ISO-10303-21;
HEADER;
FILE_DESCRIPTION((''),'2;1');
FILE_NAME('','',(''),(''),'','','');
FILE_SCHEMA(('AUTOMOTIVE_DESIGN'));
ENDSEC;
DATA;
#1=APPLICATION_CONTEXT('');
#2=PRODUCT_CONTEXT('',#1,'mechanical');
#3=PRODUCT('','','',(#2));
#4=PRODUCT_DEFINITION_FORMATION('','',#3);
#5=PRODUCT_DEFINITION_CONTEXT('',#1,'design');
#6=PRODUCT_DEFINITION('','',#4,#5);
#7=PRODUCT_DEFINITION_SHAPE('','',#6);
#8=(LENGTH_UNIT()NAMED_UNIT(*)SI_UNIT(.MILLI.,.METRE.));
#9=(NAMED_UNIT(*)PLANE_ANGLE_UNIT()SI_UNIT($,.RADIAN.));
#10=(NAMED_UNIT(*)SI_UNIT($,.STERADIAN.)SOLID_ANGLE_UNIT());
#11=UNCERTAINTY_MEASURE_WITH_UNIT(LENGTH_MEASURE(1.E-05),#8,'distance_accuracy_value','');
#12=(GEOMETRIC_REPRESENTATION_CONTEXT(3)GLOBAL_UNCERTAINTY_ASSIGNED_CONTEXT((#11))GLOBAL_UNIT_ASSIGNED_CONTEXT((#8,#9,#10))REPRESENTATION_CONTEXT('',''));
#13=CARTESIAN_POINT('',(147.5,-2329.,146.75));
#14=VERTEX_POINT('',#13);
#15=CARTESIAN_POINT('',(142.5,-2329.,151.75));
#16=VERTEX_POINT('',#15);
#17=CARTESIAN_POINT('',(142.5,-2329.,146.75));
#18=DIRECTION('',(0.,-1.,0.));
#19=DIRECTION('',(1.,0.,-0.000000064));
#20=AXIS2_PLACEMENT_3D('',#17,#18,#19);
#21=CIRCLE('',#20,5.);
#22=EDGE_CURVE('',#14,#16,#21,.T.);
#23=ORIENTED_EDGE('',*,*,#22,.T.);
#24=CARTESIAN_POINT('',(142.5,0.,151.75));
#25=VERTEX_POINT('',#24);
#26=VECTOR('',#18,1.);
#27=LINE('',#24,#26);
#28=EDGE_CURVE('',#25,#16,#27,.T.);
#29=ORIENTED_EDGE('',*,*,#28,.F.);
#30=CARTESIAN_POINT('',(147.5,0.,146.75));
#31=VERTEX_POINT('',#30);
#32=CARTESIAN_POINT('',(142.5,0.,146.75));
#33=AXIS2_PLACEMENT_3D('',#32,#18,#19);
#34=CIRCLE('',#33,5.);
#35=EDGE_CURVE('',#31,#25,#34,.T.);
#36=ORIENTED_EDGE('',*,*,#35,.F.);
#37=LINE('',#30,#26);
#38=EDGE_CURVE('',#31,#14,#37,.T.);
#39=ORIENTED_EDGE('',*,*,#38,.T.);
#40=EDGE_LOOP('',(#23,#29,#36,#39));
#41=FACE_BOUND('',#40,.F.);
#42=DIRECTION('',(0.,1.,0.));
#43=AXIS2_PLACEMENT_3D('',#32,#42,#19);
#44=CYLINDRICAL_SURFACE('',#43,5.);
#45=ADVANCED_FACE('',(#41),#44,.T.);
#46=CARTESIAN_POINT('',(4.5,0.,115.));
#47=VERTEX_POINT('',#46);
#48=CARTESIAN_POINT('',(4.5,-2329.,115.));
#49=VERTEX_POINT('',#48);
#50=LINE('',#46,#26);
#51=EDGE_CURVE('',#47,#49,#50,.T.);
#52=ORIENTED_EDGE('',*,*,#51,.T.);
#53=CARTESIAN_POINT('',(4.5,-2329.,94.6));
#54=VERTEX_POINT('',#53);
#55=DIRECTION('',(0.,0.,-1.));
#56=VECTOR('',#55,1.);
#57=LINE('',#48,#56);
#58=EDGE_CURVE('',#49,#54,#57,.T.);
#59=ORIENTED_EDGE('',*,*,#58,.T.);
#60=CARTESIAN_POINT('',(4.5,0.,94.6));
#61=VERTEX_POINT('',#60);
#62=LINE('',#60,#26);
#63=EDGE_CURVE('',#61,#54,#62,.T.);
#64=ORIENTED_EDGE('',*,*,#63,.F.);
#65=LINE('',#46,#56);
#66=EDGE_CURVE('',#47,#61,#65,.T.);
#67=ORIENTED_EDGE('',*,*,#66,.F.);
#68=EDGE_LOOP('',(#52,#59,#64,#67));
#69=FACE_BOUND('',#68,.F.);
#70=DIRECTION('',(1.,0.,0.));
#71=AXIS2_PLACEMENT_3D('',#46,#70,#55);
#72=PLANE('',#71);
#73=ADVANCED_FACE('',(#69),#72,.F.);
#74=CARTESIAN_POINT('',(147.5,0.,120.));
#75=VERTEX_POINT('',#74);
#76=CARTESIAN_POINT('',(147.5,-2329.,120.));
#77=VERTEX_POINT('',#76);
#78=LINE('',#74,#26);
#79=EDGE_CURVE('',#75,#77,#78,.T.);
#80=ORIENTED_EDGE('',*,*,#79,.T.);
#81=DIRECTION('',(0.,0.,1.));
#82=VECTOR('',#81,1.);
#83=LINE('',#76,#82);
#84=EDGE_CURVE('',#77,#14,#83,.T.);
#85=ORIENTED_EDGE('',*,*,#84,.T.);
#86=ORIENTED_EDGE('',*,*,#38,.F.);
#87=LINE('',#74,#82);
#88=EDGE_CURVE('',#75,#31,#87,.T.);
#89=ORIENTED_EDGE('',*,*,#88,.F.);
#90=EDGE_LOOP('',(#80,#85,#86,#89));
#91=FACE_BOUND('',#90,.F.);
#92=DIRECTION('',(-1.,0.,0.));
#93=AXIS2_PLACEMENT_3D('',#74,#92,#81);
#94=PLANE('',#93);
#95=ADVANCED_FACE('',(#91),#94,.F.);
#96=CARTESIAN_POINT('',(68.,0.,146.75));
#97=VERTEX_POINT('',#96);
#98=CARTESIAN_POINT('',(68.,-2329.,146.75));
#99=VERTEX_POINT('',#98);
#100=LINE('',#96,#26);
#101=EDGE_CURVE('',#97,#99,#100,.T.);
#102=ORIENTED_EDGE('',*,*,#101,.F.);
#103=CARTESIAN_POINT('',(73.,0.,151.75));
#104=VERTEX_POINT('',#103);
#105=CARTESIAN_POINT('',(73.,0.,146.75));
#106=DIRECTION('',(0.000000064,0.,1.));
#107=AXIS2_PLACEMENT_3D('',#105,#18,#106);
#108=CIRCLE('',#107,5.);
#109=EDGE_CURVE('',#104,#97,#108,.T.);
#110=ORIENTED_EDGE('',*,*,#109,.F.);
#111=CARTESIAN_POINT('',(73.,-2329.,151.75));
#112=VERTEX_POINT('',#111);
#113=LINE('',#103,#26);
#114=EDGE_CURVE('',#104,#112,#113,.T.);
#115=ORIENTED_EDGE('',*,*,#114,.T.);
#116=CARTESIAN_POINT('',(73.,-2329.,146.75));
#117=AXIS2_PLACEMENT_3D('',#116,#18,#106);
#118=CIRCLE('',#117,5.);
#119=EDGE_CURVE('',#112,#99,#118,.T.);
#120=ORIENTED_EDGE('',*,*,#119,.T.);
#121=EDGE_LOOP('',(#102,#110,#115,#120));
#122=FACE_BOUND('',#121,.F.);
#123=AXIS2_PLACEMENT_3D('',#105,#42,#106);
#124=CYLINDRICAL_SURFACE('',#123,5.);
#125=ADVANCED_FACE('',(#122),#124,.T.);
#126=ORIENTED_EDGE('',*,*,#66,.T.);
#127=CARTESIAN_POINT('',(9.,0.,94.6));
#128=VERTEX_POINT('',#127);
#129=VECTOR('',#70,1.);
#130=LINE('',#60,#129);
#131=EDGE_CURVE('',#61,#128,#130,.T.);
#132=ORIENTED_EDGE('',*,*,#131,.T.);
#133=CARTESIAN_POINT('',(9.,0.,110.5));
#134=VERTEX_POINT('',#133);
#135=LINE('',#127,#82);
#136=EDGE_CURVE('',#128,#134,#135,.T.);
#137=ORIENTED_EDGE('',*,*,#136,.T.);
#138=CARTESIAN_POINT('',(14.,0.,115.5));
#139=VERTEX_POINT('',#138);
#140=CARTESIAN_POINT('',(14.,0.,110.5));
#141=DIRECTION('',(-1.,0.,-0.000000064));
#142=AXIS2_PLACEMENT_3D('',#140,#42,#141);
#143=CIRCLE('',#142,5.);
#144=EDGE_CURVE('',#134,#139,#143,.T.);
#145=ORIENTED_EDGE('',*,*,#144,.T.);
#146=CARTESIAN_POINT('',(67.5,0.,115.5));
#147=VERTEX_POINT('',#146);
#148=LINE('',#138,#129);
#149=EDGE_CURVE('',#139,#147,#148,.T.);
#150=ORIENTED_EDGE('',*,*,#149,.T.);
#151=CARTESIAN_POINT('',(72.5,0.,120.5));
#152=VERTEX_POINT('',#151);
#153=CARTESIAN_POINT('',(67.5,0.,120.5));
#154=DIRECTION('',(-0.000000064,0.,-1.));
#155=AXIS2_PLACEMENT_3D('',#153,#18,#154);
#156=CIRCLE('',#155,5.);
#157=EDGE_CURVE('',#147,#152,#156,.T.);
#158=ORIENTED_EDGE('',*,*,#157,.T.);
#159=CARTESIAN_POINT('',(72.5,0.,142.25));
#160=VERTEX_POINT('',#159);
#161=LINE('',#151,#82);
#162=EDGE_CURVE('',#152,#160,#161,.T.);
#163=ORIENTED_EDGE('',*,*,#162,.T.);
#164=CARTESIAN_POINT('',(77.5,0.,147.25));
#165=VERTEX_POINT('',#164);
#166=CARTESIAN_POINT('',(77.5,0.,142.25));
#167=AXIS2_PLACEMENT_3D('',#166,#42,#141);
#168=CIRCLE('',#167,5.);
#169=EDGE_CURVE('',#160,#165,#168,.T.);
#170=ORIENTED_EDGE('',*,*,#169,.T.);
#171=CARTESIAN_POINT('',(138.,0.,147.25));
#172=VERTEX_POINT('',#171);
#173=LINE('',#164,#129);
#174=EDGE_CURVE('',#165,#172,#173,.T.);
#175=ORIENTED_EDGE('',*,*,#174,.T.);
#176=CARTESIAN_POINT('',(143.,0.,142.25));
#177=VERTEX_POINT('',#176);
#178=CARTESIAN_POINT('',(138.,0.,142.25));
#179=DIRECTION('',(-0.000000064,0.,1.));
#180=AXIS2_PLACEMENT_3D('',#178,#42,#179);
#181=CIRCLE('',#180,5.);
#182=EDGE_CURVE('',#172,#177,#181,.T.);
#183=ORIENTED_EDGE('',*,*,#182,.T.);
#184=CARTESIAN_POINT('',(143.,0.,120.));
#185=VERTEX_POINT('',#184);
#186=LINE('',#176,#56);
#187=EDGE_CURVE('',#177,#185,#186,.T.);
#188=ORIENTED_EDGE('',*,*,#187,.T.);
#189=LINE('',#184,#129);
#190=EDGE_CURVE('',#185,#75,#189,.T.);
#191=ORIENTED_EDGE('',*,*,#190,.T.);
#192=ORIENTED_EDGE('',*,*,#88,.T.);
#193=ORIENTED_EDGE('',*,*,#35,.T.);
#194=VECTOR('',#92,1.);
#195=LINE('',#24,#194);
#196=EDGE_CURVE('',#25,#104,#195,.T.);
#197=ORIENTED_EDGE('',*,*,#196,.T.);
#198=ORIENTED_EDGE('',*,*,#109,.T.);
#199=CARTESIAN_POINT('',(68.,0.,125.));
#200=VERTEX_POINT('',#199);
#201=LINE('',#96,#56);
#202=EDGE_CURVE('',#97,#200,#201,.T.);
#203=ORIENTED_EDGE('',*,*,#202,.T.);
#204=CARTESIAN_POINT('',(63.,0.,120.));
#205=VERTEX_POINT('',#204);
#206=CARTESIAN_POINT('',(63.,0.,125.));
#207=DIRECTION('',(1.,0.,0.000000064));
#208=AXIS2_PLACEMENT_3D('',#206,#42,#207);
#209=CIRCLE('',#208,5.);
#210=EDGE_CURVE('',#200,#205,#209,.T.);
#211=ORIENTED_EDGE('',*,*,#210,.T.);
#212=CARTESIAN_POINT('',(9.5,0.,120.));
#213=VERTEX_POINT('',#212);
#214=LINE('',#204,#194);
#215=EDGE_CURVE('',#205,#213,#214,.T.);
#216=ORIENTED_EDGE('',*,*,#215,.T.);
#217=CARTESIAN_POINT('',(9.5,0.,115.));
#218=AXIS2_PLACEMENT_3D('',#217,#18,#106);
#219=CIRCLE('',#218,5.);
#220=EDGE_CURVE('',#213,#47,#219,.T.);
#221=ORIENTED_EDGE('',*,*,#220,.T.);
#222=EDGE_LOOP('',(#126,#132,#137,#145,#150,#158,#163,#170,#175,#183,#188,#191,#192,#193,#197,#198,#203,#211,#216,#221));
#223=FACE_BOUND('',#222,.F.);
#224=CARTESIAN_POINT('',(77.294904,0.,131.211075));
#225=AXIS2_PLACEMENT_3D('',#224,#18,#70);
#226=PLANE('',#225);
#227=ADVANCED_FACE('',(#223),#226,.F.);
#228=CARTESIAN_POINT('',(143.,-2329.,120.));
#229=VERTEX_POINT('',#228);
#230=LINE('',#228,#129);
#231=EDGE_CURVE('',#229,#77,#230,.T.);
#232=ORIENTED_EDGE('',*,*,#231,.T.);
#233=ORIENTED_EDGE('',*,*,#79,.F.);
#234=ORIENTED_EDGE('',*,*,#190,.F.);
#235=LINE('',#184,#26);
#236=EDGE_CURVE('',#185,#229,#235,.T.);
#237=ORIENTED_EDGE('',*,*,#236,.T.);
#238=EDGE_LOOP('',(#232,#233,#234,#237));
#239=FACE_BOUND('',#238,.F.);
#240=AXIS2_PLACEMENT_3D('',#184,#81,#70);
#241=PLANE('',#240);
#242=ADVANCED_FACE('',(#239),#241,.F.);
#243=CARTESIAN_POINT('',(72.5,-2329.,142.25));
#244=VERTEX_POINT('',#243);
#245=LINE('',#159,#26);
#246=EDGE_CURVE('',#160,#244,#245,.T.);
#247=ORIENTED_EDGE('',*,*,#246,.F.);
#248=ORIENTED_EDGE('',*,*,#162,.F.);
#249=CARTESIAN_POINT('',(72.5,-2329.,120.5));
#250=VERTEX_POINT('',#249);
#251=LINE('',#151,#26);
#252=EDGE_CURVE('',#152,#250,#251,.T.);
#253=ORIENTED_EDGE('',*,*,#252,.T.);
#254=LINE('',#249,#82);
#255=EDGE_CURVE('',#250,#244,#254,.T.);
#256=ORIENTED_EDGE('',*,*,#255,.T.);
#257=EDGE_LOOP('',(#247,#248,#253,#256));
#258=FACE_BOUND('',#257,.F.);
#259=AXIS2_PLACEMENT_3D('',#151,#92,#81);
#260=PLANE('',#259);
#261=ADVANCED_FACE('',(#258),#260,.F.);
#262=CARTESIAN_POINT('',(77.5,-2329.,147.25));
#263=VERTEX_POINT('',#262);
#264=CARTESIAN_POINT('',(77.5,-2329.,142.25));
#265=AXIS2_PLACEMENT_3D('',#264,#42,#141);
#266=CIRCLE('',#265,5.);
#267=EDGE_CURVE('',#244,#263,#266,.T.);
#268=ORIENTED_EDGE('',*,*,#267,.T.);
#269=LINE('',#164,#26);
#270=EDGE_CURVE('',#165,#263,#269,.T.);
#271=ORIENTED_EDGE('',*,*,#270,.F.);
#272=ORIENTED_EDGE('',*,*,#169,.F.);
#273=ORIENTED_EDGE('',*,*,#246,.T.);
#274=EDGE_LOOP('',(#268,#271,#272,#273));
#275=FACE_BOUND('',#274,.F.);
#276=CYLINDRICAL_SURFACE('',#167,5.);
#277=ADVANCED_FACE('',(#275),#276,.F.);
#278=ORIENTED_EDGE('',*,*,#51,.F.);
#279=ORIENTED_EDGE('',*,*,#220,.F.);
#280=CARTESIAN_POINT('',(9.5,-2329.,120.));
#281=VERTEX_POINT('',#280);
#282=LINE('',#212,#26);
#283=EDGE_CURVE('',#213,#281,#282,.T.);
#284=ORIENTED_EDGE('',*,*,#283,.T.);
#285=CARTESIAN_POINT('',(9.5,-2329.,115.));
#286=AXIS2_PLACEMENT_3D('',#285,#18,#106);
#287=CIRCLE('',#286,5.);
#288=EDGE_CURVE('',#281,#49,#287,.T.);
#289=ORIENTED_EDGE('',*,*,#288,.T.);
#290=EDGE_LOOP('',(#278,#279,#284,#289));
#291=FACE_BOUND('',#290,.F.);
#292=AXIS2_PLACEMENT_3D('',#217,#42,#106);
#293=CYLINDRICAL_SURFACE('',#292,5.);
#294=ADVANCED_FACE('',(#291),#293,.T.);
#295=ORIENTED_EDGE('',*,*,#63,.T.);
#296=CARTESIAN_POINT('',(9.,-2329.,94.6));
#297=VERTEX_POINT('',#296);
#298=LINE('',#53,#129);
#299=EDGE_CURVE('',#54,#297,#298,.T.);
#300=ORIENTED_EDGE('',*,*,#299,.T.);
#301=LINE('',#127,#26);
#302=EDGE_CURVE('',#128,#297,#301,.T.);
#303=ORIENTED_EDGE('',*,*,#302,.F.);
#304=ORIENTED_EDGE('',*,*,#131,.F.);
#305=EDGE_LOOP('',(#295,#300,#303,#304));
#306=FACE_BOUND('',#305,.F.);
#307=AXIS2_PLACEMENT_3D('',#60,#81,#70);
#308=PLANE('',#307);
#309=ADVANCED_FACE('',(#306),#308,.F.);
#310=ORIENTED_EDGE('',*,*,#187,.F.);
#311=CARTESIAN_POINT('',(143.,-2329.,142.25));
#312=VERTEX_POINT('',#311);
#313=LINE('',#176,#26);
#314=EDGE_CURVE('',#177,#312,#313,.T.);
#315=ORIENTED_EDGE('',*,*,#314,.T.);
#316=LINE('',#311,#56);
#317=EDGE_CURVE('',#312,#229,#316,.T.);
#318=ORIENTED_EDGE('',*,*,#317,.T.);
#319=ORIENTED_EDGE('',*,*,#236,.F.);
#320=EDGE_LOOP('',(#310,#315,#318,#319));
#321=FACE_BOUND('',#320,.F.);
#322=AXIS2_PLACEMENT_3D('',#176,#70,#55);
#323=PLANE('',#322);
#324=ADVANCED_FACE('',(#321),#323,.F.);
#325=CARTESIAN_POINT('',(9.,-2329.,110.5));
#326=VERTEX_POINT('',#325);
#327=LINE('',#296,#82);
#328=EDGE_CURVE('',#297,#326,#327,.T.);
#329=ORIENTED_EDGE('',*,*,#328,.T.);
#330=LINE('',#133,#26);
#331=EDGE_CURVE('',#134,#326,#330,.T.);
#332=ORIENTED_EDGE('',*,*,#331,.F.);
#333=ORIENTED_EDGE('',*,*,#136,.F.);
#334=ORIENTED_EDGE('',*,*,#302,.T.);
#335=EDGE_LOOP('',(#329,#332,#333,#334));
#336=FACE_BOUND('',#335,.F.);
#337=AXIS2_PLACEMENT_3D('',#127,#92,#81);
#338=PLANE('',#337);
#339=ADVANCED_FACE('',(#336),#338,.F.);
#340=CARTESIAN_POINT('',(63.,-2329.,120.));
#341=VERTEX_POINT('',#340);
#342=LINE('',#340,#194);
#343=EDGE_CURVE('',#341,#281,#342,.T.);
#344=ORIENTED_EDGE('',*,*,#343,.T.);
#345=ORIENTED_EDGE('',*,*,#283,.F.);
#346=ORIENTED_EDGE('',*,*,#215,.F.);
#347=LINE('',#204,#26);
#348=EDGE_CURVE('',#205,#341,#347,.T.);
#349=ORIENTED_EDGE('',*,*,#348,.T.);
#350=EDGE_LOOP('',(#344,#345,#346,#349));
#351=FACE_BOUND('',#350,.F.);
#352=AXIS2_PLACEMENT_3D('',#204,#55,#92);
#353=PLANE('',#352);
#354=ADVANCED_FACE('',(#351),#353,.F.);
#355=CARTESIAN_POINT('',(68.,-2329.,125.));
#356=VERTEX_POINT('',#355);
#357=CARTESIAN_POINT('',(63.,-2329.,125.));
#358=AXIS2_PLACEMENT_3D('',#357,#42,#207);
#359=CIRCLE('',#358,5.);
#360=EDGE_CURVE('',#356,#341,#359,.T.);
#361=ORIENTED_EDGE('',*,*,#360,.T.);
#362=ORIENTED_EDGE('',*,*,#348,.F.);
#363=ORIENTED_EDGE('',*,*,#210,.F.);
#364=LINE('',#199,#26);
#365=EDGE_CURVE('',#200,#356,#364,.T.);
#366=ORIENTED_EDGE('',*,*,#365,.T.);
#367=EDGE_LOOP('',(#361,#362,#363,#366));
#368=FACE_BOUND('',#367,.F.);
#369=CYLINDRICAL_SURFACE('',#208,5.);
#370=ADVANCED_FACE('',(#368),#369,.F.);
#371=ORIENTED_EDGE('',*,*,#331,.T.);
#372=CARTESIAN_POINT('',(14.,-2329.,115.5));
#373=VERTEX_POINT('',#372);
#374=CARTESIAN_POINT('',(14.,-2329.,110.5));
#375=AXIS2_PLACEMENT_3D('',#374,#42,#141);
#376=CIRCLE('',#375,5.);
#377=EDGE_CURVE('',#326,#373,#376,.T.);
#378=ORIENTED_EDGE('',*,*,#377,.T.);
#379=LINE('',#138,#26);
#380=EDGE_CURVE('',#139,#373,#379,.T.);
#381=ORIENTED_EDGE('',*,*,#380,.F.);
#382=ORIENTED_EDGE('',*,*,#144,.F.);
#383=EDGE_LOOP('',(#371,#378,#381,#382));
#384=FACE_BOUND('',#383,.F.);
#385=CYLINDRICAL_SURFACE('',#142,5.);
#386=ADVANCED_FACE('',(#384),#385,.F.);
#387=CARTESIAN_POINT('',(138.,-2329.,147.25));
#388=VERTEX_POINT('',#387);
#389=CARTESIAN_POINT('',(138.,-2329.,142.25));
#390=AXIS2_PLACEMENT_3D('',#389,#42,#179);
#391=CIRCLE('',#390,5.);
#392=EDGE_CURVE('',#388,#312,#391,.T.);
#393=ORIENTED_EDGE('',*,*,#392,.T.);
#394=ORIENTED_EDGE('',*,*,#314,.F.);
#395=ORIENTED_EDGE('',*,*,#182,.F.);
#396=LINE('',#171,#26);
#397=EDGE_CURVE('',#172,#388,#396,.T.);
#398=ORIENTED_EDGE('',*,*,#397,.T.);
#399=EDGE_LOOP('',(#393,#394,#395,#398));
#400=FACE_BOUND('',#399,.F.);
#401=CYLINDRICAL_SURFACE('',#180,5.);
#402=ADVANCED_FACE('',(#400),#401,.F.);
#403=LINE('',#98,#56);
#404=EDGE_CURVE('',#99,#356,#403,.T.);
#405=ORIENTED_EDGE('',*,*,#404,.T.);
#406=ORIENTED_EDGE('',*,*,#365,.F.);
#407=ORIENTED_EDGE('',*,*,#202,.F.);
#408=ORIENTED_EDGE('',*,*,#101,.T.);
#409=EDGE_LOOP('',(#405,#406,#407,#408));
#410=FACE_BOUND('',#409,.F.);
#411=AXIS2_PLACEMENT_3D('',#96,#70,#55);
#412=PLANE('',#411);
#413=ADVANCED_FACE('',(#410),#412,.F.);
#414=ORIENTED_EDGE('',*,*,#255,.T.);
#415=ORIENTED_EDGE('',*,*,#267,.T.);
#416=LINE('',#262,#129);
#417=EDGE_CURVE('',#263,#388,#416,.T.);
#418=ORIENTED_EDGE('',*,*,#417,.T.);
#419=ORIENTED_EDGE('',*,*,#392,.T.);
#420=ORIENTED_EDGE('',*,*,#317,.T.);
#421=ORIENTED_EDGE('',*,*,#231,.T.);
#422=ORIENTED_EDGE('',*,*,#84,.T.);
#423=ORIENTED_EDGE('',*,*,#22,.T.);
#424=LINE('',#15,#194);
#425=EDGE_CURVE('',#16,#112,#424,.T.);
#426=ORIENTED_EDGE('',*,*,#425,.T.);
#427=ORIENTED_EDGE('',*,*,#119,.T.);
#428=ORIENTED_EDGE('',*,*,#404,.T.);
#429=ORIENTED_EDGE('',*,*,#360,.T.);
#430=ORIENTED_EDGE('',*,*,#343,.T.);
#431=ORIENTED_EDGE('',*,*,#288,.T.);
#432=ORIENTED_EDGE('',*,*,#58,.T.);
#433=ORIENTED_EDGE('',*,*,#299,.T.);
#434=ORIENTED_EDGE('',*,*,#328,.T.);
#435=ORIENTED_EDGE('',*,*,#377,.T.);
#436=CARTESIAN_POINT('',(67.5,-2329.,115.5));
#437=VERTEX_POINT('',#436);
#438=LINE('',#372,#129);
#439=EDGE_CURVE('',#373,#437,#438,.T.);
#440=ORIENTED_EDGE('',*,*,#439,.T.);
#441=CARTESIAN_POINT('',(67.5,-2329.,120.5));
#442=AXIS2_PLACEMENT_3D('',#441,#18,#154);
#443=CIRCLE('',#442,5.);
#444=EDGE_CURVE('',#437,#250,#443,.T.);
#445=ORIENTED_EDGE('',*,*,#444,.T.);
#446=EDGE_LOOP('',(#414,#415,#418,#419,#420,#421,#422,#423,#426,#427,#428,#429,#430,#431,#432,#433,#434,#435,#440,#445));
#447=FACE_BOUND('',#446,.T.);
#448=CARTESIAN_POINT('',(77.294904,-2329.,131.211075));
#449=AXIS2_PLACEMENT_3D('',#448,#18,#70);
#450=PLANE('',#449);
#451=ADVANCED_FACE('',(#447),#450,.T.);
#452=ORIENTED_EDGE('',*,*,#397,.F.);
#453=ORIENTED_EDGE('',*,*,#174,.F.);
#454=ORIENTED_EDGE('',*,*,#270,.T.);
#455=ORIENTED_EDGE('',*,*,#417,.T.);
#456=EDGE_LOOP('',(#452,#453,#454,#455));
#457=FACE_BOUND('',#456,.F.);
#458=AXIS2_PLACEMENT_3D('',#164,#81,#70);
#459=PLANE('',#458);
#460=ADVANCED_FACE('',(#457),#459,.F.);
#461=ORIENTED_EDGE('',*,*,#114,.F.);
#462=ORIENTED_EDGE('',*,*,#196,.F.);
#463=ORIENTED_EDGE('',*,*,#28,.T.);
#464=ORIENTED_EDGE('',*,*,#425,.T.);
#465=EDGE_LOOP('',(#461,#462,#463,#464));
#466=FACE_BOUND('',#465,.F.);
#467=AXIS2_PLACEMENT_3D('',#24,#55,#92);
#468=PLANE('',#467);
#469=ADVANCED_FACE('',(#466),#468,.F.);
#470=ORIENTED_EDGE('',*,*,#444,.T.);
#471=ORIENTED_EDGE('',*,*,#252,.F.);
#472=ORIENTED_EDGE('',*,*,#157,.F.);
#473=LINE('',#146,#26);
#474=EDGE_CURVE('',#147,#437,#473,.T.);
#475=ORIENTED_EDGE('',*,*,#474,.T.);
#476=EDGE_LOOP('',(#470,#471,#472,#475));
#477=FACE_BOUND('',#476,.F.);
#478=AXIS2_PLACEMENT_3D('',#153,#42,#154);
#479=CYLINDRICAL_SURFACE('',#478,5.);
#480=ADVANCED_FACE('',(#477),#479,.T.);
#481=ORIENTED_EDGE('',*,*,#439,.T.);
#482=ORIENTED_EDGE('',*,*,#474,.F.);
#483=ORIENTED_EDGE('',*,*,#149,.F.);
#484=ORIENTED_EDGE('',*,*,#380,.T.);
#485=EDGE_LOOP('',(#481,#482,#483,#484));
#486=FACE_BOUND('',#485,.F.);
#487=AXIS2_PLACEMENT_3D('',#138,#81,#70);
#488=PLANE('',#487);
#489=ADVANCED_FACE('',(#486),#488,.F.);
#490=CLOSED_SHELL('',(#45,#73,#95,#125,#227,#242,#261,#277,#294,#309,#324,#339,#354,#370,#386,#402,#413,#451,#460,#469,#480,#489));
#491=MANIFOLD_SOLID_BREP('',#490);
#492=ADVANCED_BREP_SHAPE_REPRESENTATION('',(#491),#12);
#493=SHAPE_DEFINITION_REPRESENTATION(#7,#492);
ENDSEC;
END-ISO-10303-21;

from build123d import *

# Parameters (mm, degrees)
F1_DEPTH = 2329


with BuildPart() as f1:
    # F0 (on Front) → F1 (new body)
    with BuildSketch(Plane.XZ):
        with BuildLine():
            Line((147.5, 120), (147.5, 146.75))
            ThreePointArc((147.5, 146.75), (146.035534, 150.285534), (142.5, 151.75))
            Line((142.5, 151.75), (73, 151.75))
            ThreePointArc((73, 151.75), (69.464466, 150.285534), (68, 146.75))
            Line((68, 146.75), (68, 125))
            ThreePointArc((68, 125), (66.535534, 121.464466), (63, 120))
            Line((63, 120), (9.5, 120))
            ThreePointArc((9.5, 120), (5.964466, 118.535534), (4.5, 115))
            Line((4.5, 115), (4.5, 94.6))
            Line((4.5, 94.6), (9, 94.6))
            Line((9, 94.6), (9, 110.5))
            ThreePointArc((9, 110.5), (10.464466, 114.035534), (14, 115.5))
            Line((14, 115.5), (67.5, 115.5))
            ThreePointArc((67.5, 115.5), (71.035534, 116.964466), (72.5, 120.5))
            Line((72.5, 120.5), (72.5, 142.25))
            ThreePointArc((72.5, 142.25), (73.964466, 145.785534), (77.5, 147.25))
            Line((77.5, 147.25), (138, 147.25))
            ThreePointArc((138, 147.25), (141.535534, 145.785534), (143, 142.25))
            Line((143, 142.25), (143, 120))
            Line((143, 120), (147.5, 120))
        make_face()
    extrude(amount=F1_DEPTH)


solid = f1.part
